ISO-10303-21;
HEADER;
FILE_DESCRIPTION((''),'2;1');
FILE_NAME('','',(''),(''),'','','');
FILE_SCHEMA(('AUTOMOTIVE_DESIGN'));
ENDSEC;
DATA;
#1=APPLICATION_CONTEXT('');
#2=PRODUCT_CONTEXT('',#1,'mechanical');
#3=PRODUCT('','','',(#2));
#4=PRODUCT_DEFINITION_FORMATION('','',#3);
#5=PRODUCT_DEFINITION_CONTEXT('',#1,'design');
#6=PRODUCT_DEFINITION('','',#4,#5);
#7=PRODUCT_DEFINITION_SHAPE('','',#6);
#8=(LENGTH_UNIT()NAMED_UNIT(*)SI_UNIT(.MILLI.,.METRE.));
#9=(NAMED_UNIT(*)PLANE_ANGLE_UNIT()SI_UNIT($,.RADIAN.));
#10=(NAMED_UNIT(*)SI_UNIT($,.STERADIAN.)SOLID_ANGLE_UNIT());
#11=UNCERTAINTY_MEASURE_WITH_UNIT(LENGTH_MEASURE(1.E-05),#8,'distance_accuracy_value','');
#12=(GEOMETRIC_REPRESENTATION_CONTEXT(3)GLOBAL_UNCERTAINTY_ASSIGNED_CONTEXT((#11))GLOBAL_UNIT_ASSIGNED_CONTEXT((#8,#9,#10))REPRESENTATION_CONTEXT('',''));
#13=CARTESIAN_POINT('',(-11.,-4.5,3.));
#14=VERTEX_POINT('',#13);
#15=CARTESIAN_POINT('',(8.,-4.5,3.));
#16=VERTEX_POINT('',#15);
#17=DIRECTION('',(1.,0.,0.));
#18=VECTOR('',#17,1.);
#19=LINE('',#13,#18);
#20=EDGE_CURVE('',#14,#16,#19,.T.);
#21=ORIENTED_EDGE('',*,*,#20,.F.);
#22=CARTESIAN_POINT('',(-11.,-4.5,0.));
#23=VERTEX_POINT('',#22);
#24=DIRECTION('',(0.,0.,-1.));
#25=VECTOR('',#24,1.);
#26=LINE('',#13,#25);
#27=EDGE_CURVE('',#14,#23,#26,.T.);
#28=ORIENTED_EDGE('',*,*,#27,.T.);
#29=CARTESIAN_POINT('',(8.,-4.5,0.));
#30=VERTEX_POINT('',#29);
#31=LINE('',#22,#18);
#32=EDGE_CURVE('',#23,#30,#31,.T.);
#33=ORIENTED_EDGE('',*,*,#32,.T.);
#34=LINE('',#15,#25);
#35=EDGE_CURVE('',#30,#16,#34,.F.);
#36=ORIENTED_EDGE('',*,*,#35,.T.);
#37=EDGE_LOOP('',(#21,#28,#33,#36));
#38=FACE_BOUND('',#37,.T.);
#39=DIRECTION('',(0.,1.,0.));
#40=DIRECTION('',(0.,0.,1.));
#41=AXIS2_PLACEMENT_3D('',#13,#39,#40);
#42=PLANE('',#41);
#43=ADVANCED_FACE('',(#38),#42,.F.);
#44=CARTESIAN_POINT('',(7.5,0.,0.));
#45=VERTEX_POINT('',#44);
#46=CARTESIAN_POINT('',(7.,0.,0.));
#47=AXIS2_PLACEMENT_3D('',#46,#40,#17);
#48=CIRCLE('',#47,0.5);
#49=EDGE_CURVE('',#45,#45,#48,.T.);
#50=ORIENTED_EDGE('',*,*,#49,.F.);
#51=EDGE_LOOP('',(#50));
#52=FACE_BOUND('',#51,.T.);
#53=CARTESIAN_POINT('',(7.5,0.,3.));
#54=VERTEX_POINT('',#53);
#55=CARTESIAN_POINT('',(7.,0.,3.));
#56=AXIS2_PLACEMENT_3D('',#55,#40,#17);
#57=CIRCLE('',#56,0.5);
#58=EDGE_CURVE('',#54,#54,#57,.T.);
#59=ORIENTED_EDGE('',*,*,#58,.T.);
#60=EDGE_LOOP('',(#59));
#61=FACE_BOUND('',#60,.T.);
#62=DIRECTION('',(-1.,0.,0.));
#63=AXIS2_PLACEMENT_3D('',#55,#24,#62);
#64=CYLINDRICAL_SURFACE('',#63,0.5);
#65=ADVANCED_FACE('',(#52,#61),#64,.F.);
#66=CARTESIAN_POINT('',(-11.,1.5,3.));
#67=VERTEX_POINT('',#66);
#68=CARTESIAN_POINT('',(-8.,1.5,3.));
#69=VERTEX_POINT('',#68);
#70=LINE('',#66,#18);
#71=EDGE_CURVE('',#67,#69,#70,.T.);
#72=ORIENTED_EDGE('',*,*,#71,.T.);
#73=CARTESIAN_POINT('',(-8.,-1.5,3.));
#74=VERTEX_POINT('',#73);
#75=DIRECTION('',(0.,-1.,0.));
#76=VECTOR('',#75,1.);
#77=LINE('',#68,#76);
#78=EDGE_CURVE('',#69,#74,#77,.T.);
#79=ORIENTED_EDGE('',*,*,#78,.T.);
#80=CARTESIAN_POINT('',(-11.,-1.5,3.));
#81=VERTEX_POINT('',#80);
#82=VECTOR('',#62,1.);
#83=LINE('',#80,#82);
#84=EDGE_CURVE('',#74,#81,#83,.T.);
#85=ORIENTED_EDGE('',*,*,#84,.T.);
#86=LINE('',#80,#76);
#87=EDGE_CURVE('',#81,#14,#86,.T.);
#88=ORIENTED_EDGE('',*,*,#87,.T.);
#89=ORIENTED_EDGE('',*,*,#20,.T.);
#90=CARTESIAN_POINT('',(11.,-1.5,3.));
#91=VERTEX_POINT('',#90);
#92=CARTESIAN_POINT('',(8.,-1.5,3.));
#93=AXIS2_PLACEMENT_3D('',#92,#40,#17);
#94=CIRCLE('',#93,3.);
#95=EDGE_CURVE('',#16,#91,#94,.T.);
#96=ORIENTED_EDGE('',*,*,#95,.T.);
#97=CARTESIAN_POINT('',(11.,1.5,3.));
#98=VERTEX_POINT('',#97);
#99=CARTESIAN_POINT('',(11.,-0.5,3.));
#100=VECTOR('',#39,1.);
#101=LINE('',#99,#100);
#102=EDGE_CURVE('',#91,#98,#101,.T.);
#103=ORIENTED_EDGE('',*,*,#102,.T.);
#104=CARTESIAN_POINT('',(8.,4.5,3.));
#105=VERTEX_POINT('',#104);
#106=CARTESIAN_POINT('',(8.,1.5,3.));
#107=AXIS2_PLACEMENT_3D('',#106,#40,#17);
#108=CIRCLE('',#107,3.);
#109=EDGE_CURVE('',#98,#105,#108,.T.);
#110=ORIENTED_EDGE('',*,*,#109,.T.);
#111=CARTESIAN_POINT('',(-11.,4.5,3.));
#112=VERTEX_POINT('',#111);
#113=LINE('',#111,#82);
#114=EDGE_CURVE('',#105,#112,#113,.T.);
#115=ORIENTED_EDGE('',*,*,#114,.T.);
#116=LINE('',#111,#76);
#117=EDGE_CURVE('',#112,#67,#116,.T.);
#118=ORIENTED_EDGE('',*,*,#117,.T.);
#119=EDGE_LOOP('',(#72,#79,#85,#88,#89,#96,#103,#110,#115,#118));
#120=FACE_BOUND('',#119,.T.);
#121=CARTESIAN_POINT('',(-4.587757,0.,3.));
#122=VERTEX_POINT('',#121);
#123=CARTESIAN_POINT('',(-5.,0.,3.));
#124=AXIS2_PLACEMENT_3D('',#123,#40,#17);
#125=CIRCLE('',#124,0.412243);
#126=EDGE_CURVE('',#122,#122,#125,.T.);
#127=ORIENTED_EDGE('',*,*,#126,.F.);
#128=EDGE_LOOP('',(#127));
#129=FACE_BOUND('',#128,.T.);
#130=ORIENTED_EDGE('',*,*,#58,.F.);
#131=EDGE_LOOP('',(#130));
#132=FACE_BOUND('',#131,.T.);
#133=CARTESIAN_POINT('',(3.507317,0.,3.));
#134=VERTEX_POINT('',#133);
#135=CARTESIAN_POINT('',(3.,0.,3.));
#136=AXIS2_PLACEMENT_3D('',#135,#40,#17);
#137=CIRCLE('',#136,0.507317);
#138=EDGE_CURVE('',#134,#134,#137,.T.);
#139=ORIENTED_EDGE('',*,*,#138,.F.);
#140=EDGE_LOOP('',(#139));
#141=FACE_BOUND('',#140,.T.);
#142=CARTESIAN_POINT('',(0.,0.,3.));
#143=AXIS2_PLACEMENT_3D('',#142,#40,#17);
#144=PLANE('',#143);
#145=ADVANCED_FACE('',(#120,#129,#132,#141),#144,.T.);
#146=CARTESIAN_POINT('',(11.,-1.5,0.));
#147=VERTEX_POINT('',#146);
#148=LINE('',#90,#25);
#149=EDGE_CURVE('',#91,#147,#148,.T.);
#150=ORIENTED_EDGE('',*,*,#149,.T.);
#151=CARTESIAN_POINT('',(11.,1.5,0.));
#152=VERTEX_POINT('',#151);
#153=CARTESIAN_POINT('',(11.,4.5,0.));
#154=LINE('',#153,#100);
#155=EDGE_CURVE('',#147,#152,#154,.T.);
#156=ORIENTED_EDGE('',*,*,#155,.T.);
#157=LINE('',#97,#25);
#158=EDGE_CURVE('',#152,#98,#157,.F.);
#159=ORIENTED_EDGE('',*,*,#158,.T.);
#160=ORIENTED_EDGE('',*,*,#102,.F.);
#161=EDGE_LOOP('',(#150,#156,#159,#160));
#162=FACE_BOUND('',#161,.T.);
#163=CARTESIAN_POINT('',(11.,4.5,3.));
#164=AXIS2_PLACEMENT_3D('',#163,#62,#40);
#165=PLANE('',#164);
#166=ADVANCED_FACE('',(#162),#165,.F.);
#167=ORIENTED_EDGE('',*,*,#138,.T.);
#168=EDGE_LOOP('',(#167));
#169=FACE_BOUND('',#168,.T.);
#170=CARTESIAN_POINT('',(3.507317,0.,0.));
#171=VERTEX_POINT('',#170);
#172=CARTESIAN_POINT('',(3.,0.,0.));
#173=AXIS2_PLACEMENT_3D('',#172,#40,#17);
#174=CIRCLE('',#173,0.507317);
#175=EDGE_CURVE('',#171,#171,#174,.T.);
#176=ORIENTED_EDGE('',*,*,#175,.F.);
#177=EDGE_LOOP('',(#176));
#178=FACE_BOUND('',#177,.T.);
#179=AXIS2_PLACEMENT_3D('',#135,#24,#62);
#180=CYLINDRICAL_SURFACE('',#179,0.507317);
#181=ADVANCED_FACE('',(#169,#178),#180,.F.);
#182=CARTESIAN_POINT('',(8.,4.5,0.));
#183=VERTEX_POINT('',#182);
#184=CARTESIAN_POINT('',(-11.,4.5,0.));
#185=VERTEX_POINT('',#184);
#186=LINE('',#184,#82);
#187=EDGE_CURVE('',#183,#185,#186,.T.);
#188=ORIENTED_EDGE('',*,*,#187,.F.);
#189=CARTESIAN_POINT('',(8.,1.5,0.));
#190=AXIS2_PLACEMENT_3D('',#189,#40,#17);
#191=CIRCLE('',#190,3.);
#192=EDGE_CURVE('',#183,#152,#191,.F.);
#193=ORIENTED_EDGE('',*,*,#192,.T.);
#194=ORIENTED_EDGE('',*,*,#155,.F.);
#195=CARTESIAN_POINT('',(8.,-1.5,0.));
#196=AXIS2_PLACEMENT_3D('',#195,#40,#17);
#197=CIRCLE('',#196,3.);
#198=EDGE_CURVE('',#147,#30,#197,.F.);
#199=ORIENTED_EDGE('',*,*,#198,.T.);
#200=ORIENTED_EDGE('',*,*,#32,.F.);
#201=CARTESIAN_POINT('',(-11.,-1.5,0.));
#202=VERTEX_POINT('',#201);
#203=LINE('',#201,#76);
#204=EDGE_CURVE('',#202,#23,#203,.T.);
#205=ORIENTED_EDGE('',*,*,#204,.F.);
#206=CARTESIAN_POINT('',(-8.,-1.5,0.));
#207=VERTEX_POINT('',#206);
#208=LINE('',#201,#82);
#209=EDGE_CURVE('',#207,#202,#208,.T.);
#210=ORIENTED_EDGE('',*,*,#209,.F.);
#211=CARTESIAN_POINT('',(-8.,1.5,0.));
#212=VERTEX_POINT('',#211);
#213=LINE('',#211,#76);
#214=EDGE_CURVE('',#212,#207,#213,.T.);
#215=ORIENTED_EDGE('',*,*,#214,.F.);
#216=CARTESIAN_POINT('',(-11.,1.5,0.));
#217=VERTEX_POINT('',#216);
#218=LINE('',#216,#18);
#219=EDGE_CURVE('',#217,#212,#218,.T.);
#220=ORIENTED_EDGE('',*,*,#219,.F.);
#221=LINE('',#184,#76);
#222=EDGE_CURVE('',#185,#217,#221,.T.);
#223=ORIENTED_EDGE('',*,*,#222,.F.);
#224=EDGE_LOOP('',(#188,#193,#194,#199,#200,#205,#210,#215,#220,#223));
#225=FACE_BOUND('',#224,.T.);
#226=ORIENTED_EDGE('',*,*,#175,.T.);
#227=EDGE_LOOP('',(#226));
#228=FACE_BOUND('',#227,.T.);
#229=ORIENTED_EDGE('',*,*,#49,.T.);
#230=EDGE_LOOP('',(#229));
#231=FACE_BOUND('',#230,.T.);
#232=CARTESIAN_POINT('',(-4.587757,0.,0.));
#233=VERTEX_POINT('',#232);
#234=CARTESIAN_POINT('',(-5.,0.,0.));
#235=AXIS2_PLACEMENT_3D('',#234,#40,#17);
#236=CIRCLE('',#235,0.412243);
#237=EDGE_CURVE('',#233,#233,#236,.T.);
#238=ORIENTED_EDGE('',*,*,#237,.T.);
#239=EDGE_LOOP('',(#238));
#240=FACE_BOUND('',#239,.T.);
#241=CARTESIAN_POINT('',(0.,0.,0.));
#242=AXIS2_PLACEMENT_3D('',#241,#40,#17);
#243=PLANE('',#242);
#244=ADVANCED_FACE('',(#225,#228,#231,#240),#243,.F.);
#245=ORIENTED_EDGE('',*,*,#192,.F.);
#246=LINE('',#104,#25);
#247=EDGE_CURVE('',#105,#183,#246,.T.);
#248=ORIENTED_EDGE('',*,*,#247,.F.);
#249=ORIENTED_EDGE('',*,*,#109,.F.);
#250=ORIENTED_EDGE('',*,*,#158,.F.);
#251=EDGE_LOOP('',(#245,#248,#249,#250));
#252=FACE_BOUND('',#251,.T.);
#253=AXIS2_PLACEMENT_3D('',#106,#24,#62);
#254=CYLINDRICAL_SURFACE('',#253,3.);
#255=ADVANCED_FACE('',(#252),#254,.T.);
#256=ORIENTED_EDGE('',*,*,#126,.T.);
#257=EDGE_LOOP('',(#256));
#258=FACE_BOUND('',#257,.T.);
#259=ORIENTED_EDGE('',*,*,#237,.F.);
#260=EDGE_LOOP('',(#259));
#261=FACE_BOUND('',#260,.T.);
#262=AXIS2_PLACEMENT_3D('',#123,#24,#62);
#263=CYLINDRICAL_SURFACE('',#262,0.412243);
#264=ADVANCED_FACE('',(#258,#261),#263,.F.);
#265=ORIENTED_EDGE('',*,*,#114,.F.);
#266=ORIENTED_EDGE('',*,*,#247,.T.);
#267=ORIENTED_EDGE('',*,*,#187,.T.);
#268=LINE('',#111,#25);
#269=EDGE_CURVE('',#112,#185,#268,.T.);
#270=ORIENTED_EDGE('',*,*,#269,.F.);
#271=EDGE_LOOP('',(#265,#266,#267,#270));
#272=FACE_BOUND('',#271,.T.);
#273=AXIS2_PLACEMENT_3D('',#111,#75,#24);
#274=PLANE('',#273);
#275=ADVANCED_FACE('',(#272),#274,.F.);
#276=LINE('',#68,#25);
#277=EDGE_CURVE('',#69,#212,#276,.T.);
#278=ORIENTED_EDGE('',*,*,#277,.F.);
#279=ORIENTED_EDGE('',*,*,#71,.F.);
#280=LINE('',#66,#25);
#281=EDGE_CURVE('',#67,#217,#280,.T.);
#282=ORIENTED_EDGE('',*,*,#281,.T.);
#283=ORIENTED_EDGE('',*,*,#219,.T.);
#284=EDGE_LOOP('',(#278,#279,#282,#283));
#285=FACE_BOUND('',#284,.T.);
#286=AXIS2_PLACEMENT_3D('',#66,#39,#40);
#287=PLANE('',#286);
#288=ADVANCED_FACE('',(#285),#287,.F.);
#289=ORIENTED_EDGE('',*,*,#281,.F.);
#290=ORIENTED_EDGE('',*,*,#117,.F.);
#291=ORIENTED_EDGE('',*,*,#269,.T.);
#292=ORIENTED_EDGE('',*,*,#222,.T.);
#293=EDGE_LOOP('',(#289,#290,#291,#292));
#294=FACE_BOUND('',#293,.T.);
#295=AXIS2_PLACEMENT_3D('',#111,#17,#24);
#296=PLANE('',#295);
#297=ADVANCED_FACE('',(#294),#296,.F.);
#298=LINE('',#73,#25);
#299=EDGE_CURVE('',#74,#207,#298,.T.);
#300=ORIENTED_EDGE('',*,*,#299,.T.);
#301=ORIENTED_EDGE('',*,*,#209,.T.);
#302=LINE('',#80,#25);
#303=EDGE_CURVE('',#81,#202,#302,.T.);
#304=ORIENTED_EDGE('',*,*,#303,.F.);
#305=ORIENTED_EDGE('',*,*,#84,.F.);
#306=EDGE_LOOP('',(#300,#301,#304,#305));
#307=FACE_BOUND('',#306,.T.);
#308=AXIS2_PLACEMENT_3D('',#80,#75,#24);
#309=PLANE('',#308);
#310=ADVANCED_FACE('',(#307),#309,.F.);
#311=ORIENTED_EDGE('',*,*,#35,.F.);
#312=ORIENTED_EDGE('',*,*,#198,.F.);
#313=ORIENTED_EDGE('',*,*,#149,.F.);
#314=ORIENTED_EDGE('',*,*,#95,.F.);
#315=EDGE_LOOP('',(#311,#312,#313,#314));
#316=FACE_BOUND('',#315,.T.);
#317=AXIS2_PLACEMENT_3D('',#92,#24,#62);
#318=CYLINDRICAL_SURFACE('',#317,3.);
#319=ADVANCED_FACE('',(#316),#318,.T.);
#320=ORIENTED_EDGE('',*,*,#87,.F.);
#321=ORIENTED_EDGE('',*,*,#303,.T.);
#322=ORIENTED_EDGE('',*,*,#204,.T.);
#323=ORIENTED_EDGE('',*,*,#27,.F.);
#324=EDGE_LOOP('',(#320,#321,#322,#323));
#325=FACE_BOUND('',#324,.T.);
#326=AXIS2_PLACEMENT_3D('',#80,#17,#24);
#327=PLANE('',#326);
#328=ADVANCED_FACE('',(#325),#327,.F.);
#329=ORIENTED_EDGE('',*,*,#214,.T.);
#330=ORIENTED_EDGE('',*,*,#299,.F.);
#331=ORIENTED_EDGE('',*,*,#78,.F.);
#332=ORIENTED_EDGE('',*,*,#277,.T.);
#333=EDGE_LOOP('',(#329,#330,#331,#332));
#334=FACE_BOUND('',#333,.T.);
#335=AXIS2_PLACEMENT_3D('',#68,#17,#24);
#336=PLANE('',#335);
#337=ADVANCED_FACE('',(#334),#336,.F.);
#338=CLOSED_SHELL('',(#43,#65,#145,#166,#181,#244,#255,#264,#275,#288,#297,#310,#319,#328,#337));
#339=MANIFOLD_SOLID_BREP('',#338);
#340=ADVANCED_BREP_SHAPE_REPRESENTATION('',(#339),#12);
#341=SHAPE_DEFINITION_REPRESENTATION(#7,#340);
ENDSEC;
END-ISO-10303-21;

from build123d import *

# Parameters (mm, degrees)
SKETCH2_R           = 0.5
SKETCH2_R_2         = 0.507316736
SKETCH2_R_3         = 0.412242995
BOSS_EXTRUDE1_DEPTH = 3
FILLET1_R           = 3


with BuildPart() as part:
    # Sketch2 → Boss-Extrude1 (new body)
    with BuildSketch(Plane.XY):
        Polygon((-11, 4.5), (11, 4.5), (11, 0.5), (11, -0.5), (11, -4.5), (-11, -4.5), (-11, -1.5), (-8, -1.5), (-8, 1.5), (-11, 1.5), align=None)
        with Locations((7, 0)):
            Circle(SKETCH2_R, mode=Mode.SUBTRACT)
        with Locations((3, 0)):
            Circle(SKETCH2_R_2, mode=Mode.SUBTRACT)
        with Locations((-5, 0)):
            Circle(SKETCH2_R_3, mode=Mode.SUBTRACT)
    extrude(amount=BOSS_EXTRUDE1_DEPTH)

    # Fillet1
    fillet1_edges = [part.edges().sort_by_distance(p)[0] for p in [
        (11, -4.5, 1.5),
        (11, 4.5, 1.5),
    ]]
    fillet(fillet1_edges, radius=FILLET1_R)


solid = part.part
